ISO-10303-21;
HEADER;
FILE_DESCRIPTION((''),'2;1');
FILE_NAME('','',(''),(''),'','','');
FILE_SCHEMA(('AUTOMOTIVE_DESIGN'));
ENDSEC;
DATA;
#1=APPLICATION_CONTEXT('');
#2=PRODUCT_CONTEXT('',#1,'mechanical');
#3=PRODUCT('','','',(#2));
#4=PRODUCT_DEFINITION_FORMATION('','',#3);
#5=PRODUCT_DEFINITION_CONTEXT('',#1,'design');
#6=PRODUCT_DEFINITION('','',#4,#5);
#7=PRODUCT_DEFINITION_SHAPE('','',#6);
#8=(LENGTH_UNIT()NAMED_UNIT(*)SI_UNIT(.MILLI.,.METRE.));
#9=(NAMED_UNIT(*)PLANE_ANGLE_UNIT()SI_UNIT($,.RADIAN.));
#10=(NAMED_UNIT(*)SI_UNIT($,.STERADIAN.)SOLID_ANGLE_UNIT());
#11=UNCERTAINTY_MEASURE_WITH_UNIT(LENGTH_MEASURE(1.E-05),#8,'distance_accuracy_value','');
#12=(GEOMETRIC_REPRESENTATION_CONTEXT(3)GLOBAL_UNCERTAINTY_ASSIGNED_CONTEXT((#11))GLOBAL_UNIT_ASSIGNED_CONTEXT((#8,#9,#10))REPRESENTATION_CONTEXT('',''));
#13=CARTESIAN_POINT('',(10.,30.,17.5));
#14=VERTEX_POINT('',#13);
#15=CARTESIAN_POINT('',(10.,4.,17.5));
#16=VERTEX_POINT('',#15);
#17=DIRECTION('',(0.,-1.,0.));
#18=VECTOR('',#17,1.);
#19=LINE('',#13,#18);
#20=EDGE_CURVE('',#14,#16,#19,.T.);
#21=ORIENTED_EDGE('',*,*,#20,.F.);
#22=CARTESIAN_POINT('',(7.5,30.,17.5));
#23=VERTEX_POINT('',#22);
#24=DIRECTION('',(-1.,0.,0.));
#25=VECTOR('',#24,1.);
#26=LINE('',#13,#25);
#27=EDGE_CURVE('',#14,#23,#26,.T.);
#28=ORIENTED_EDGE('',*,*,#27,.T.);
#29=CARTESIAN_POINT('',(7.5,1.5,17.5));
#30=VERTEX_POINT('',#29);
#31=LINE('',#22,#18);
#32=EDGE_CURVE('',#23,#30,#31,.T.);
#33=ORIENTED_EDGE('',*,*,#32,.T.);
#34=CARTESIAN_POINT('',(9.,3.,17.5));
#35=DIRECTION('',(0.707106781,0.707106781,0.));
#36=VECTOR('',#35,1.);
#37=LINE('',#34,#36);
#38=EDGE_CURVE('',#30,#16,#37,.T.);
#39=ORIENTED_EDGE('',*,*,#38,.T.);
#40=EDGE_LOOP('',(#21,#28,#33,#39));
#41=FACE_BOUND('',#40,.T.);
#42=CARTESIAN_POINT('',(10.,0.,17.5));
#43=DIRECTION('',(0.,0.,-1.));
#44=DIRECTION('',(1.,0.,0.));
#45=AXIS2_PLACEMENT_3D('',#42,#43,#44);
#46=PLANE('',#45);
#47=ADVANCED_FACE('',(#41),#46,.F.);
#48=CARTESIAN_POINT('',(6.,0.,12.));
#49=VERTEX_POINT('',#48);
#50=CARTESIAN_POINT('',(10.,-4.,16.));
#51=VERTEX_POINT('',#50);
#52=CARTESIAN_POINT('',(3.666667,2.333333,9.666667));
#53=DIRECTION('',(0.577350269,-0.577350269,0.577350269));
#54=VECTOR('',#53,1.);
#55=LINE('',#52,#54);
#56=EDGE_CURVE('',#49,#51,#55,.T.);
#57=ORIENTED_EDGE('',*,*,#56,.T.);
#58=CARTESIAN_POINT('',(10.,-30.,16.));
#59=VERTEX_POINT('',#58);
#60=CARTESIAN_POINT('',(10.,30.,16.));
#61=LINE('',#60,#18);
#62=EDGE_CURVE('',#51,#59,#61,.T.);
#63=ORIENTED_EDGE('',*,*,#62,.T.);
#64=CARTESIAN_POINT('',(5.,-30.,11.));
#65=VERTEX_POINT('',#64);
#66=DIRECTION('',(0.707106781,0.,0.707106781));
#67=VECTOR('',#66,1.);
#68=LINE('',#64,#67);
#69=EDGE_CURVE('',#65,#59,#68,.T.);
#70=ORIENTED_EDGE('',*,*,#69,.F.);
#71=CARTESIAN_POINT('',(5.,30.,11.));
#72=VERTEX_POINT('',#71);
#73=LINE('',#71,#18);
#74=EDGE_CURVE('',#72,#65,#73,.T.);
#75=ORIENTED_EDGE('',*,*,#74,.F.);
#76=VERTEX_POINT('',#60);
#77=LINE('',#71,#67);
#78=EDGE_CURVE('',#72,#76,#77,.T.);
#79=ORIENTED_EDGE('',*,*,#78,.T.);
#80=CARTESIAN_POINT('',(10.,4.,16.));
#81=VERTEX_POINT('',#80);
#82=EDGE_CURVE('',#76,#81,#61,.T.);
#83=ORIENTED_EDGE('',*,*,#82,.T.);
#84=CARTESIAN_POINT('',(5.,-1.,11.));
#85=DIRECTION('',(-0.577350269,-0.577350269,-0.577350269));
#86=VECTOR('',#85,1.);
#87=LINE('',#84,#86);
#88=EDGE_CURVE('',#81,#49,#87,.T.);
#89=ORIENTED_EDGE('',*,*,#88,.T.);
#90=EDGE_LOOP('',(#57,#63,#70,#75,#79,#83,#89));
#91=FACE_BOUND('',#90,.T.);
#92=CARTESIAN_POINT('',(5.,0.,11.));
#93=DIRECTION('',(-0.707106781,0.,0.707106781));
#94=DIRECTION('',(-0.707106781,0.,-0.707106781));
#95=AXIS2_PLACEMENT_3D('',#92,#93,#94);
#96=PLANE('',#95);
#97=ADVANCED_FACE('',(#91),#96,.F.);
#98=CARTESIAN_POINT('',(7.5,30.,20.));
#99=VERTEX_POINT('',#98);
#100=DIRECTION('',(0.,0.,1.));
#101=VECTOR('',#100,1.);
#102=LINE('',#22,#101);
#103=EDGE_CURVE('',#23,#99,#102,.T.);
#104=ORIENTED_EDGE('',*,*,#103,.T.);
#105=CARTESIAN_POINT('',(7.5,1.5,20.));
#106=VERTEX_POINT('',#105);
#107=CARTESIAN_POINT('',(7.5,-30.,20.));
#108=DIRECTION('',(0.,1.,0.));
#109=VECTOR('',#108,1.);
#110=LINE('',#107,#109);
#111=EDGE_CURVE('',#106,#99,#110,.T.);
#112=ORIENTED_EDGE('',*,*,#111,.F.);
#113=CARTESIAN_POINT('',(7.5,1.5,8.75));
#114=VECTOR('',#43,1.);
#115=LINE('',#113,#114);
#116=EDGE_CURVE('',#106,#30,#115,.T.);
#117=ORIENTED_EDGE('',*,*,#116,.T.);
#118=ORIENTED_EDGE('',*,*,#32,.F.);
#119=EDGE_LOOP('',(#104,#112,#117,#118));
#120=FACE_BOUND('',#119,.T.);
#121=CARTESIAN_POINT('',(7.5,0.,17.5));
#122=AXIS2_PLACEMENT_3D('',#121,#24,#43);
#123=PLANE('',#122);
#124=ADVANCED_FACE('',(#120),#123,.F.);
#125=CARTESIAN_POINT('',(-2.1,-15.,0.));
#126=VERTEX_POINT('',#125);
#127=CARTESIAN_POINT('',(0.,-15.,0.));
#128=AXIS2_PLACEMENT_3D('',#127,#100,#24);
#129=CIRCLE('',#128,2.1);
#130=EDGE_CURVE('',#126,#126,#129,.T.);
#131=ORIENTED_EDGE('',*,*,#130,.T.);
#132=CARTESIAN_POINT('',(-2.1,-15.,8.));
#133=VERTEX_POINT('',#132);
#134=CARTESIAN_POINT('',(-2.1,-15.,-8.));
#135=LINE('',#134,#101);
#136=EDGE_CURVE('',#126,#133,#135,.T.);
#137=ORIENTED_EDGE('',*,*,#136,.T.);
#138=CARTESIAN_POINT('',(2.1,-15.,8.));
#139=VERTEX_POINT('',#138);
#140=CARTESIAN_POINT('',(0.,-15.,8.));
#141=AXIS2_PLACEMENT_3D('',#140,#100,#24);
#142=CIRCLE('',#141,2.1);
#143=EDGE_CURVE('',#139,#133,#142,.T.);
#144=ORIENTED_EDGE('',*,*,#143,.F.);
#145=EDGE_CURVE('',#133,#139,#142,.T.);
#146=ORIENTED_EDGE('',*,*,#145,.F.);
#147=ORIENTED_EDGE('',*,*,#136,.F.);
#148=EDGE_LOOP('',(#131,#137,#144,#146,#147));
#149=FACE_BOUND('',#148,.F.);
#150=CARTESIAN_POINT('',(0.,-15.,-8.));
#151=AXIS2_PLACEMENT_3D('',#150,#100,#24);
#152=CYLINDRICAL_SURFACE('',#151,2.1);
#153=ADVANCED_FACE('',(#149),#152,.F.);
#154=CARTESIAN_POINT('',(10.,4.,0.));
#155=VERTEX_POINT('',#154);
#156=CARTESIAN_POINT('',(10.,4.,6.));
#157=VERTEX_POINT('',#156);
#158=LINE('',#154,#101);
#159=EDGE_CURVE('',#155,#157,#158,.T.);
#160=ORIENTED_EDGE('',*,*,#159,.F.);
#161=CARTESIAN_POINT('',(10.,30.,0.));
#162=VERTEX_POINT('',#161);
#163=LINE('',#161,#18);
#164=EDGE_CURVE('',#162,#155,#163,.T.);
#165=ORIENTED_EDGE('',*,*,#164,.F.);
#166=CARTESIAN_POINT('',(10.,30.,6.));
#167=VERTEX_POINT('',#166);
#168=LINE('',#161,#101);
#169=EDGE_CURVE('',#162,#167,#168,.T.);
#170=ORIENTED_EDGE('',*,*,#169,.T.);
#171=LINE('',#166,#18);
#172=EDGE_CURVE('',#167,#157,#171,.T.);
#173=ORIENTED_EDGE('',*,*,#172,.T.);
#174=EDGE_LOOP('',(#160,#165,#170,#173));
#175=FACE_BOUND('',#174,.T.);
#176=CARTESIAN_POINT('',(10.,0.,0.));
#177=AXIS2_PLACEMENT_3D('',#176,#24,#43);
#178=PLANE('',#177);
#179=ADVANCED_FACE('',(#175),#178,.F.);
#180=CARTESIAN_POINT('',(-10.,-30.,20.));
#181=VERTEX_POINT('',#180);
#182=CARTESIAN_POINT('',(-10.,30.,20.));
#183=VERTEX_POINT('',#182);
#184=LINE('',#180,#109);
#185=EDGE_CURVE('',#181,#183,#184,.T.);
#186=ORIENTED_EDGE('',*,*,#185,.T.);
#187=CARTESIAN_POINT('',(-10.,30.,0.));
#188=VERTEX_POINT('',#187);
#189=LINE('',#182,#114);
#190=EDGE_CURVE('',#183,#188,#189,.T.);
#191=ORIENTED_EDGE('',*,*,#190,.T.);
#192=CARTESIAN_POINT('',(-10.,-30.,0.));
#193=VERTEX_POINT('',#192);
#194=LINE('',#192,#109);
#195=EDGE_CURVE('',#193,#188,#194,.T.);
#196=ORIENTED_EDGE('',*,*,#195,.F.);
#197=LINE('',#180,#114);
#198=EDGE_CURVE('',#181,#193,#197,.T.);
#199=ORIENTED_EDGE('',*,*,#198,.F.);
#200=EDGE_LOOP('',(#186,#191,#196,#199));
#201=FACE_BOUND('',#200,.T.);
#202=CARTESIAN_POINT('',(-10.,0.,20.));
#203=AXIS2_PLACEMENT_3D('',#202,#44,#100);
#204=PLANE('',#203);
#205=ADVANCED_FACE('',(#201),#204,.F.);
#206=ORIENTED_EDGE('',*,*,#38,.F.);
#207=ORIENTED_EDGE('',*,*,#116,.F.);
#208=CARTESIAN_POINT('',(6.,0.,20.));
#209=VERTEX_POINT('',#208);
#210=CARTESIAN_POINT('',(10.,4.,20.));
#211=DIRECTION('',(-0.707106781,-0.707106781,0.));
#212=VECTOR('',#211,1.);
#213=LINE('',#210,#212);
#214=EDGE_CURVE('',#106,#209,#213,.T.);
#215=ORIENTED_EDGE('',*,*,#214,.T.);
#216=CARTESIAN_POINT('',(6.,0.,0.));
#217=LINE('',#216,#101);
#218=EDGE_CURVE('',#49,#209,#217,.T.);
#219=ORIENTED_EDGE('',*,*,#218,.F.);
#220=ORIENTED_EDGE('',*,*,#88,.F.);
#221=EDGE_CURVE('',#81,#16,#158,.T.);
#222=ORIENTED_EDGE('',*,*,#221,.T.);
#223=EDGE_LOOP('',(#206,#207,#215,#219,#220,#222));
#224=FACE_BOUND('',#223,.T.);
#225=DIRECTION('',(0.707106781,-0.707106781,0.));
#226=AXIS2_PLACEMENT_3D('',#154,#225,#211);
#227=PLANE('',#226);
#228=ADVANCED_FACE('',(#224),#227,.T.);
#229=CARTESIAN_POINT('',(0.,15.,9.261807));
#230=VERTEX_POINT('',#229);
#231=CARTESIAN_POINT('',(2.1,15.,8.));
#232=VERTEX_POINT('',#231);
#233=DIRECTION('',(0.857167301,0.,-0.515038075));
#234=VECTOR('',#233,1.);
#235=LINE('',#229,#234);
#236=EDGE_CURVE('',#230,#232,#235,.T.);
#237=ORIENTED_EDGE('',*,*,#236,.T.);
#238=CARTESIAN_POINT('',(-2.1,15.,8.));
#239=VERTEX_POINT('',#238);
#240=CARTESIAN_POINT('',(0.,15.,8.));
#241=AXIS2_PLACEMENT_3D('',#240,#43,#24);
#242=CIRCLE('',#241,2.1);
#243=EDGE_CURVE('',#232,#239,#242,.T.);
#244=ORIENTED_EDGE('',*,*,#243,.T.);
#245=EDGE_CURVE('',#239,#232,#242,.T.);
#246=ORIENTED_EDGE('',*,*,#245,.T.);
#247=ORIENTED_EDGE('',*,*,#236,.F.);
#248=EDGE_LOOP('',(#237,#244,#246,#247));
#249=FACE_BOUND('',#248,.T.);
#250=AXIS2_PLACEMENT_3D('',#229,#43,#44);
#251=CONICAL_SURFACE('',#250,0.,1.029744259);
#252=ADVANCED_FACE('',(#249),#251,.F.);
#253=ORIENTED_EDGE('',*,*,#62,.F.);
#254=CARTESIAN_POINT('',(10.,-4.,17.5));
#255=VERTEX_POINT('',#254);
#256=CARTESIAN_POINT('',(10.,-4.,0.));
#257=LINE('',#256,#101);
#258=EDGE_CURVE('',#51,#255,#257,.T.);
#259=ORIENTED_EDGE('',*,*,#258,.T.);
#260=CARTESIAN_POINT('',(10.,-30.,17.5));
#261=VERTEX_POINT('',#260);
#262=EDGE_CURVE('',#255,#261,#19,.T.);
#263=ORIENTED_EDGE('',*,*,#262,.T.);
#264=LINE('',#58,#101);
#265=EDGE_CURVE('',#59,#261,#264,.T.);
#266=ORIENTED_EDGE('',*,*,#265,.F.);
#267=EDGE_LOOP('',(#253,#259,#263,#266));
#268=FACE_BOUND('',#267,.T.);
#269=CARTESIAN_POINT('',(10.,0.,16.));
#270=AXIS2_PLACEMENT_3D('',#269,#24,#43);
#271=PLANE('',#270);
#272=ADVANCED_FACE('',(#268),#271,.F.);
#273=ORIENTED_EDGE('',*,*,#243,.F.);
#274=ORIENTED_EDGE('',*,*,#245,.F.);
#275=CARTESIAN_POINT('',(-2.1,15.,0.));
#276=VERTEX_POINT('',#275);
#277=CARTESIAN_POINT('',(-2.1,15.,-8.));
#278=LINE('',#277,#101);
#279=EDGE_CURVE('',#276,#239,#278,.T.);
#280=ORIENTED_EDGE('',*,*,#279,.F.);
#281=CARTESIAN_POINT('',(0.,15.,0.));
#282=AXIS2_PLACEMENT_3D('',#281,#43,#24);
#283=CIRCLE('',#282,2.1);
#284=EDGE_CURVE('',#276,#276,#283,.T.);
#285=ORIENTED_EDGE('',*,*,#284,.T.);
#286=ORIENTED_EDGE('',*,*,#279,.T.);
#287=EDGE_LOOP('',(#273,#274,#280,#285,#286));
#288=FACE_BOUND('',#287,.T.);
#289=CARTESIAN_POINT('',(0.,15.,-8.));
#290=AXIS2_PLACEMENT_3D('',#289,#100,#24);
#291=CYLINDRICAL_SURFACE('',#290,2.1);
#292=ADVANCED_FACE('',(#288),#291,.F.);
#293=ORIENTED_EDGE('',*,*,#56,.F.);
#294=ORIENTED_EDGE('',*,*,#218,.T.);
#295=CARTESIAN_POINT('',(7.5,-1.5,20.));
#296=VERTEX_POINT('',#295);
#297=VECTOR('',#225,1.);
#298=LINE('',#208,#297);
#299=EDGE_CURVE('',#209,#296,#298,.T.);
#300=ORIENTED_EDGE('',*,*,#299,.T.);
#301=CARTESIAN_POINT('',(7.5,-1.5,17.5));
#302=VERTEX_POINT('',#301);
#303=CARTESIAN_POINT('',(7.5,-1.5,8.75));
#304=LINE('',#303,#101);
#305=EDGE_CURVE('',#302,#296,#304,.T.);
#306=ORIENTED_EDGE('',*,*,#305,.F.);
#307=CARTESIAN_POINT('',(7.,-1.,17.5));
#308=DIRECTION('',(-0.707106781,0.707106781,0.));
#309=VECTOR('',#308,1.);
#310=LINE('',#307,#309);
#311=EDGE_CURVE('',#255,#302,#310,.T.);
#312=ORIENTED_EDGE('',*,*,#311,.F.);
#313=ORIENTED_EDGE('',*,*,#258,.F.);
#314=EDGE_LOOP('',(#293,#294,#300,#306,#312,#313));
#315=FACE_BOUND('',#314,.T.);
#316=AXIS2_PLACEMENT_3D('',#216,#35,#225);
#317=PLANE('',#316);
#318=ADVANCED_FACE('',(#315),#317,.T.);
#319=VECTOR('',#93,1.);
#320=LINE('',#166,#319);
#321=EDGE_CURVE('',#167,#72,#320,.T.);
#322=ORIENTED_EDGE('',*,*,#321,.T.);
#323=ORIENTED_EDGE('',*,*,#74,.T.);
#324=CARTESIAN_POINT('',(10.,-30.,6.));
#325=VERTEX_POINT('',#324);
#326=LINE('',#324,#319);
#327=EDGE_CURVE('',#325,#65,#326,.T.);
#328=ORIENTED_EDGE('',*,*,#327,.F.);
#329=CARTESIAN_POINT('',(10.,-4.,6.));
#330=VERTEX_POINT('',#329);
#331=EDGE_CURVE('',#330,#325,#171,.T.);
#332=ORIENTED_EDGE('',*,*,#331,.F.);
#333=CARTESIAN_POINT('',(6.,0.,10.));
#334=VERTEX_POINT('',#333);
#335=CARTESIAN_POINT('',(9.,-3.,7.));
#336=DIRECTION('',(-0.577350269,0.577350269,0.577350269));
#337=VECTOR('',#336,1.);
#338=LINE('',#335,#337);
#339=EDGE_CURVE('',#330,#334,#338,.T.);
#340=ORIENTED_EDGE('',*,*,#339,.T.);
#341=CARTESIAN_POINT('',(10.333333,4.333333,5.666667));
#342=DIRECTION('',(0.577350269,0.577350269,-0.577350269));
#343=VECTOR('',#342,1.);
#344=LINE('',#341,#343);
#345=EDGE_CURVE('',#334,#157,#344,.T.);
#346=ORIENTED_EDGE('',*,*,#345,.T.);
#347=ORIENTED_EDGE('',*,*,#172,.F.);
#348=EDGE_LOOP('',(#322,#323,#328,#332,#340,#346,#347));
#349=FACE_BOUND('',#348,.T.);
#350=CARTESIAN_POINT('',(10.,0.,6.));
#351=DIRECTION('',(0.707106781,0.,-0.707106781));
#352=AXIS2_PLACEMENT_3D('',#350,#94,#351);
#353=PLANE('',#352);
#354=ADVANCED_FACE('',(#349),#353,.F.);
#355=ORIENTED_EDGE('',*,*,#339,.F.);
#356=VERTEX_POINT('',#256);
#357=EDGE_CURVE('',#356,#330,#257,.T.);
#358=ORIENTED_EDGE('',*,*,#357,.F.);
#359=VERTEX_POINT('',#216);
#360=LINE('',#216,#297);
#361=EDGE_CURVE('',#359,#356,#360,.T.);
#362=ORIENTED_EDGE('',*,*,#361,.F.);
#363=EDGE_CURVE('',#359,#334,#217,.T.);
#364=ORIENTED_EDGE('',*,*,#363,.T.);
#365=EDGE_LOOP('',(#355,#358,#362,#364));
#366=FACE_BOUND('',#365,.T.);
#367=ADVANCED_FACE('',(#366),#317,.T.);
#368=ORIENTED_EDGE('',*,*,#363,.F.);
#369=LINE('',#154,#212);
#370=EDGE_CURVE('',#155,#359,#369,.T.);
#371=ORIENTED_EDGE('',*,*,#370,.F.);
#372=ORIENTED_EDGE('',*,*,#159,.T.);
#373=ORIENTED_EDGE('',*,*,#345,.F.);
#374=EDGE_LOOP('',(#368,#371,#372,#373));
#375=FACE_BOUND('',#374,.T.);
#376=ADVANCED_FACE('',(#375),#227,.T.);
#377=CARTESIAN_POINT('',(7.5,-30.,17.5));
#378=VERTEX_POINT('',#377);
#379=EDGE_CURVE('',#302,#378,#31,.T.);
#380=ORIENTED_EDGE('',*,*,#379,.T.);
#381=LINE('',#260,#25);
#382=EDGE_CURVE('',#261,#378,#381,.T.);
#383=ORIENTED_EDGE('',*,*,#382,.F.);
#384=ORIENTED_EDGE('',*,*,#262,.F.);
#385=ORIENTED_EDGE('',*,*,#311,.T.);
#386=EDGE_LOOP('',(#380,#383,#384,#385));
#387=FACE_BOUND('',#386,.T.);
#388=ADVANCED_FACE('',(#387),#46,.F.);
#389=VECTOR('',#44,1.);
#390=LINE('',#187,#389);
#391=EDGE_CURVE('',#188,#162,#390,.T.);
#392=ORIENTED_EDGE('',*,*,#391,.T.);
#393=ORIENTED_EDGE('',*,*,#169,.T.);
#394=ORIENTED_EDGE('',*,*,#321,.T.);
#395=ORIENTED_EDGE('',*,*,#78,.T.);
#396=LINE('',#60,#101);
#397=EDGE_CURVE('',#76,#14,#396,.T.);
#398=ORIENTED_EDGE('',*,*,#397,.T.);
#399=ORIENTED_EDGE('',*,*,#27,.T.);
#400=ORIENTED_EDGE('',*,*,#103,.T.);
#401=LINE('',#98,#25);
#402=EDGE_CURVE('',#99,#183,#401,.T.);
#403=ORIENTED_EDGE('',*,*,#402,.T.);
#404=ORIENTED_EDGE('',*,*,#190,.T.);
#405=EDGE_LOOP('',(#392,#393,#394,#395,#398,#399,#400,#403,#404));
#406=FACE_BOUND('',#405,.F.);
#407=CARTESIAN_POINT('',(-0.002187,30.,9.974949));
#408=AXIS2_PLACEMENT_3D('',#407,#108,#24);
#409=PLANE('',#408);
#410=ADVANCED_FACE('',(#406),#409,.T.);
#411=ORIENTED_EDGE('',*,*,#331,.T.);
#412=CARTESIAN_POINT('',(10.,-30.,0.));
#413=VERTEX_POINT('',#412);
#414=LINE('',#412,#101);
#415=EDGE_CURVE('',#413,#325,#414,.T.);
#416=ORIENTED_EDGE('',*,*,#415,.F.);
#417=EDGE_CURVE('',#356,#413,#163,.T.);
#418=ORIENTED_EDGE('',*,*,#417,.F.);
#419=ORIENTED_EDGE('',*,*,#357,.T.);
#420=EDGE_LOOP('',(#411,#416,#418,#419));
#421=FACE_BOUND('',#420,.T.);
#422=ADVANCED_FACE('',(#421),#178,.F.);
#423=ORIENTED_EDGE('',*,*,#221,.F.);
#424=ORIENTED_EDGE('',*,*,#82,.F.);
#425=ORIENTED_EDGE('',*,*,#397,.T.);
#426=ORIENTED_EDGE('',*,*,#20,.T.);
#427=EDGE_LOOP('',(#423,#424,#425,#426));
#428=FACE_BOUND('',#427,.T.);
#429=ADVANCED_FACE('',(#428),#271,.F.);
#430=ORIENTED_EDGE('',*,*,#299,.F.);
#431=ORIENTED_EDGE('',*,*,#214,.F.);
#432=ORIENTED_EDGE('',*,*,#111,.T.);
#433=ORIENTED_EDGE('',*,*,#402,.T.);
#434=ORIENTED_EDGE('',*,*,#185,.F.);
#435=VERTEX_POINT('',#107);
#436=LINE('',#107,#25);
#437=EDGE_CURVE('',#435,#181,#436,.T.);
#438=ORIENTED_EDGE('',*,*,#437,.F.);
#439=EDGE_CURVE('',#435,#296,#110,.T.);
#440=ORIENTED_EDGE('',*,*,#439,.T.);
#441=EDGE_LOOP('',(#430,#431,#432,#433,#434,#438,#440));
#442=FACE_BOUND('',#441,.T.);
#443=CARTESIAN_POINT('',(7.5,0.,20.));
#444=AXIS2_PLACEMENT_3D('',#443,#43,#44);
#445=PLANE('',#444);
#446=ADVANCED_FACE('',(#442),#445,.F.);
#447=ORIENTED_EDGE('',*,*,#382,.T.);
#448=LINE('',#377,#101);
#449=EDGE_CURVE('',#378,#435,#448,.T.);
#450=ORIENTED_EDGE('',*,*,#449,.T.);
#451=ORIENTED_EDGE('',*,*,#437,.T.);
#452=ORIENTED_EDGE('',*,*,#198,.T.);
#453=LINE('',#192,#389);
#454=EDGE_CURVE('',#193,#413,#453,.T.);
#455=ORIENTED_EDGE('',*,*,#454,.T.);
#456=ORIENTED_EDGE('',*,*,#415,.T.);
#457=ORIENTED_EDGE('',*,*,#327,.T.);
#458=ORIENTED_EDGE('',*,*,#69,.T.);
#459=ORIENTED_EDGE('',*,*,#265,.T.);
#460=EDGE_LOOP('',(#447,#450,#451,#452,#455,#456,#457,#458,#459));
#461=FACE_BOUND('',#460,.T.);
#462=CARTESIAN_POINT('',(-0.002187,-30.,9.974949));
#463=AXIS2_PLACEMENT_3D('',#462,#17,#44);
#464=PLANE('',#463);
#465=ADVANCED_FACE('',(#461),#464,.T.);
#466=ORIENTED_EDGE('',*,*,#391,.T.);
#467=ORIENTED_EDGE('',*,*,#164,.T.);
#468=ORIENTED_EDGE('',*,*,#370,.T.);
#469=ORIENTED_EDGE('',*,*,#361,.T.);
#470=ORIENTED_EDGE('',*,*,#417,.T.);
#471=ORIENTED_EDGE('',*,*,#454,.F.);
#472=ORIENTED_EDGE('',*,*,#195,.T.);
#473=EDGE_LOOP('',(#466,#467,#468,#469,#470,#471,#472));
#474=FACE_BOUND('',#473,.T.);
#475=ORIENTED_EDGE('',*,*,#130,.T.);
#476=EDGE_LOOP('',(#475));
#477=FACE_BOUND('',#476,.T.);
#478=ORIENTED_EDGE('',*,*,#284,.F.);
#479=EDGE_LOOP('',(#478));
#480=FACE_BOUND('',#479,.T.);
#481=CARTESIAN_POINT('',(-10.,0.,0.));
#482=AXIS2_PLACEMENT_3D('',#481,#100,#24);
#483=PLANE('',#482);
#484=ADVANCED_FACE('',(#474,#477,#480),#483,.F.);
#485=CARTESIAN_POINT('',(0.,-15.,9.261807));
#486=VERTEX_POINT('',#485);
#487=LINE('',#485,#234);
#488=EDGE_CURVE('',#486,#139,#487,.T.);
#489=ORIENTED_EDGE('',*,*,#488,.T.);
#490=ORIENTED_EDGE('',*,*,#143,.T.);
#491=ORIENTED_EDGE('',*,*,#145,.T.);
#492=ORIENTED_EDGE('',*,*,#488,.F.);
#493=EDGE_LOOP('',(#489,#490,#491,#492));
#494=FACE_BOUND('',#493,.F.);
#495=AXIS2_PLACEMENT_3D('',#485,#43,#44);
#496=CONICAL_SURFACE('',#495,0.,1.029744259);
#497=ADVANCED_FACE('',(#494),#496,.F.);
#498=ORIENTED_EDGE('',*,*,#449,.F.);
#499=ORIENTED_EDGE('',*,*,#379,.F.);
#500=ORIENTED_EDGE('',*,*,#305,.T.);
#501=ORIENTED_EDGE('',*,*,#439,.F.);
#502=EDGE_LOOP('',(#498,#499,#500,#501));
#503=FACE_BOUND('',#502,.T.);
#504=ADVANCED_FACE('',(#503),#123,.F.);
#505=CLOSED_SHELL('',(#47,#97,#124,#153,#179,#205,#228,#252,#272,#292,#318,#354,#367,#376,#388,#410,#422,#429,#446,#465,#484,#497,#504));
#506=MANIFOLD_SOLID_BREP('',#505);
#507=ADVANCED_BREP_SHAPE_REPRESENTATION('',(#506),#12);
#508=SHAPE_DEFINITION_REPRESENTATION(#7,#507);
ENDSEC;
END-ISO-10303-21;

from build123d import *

# Parameters (mm, degrees)
F1_DEPTH = 30
F3_D     = 4.2
F3_DEPTH = 8
F3_TIP   = 1.2618073
F6_DEPTH = 20


with BuildPart() as f1:
    # F0 (on Front) → F1 (new body)
    with BuildSketch(Plane.XZ):
        Polygon((-10, 0), (10, 0), (10, 6), (5, 11), (10, 16), (10, 17.5), (7.5, 17.5), (7.5, 20), (-10, 20), align=None)
    extrude(amount=F1_DEPTH)

    # F3
    with Locations(Plane(origin=(0, 0, 0), x_dir=(1, 0, 0), z_dir=(0, 0, -1))):
        with Locations((0, 15)):
            Hole(F3_D / 2, depth=F3_DEPTH)
            with Locations((0, 0, -(F3_DEPTH + F3_TIP / 2))):  # 118° drill point
                Cone(0, F3_D / 2, F3_TIP, mode=Mode.SUBTRACT)

    # F4: F1 across plane


with BuildPart() as f1_1:
    add(f1.part)
    add(f1.part.mirror(Plane.XZ))

    # F5 (on Top) → F6 (cut, through all)
    with BuildSketch(Plane.XY):
        Polygon((10, 4), (6, 0), (10, -4), align=None)
    extrude(amount=F6_DEPTH, mode=Mode.SUBTRACT)


solid = f1_1.part
